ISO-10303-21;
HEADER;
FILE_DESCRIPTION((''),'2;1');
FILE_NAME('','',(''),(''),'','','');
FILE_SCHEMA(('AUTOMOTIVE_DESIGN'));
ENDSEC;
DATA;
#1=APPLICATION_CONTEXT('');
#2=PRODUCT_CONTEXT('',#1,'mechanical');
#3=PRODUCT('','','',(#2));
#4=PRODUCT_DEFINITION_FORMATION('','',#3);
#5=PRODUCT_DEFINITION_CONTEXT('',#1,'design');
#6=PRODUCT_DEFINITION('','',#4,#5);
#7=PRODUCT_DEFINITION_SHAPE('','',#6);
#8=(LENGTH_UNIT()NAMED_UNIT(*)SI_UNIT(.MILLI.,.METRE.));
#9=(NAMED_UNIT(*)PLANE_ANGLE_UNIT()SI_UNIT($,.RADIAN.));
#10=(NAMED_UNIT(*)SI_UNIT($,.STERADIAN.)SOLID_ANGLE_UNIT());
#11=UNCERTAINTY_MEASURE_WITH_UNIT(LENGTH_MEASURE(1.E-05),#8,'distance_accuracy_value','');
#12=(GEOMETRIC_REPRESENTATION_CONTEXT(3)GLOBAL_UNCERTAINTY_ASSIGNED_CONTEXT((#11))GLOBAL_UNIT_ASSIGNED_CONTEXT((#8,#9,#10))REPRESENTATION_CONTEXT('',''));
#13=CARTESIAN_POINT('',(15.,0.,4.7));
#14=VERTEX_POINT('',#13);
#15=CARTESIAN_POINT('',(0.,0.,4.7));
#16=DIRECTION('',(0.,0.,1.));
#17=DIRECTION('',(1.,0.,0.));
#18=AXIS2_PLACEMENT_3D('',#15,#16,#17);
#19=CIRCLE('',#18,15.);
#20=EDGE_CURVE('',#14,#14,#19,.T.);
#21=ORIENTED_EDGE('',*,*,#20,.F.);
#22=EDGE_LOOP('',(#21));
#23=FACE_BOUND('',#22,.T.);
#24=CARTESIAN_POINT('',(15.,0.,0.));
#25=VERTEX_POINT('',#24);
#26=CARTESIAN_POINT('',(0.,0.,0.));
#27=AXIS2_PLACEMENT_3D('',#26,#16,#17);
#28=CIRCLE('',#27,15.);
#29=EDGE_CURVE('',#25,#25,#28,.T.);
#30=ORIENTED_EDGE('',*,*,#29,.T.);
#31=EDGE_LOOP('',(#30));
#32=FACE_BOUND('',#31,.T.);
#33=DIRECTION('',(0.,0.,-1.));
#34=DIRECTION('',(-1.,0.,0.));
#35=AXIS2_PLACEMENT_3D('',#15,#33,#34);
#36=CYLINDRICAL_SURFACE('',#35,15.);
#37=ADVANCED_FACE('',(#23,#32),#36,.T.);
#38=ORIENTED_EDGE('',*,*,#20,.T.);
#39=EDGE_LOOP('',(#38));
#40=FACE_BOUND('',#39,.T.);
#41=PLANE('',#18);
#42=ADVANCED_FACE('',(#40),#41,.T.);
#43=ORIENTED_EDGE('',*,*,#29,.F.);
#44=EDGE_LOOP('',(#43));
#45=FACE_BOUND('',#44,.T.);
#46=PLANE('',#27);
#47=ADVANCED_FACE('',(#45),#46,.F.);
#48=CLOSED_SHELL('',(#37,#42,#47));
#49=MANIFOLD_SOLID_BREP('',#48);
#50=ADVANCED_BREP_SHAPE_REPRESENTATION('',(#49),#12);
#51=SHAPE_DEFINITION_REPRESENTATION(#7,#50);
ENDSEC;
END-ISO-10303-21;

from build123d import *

# Parameters (mm, degrees)
ESQUISSE1_R        = 15
BOSS_EXTRU_1_DEPTH = 4.7


with BuildPart() as part:
    # Esquisse1 → Boss.-Extru.1 (new body)
    with BuildSketch(Plane.XY):
        Circle(ESQUISSE1_R)
    extrude(amount=BOSS_EXTRU_1_DEPTH)


solid = part.part
